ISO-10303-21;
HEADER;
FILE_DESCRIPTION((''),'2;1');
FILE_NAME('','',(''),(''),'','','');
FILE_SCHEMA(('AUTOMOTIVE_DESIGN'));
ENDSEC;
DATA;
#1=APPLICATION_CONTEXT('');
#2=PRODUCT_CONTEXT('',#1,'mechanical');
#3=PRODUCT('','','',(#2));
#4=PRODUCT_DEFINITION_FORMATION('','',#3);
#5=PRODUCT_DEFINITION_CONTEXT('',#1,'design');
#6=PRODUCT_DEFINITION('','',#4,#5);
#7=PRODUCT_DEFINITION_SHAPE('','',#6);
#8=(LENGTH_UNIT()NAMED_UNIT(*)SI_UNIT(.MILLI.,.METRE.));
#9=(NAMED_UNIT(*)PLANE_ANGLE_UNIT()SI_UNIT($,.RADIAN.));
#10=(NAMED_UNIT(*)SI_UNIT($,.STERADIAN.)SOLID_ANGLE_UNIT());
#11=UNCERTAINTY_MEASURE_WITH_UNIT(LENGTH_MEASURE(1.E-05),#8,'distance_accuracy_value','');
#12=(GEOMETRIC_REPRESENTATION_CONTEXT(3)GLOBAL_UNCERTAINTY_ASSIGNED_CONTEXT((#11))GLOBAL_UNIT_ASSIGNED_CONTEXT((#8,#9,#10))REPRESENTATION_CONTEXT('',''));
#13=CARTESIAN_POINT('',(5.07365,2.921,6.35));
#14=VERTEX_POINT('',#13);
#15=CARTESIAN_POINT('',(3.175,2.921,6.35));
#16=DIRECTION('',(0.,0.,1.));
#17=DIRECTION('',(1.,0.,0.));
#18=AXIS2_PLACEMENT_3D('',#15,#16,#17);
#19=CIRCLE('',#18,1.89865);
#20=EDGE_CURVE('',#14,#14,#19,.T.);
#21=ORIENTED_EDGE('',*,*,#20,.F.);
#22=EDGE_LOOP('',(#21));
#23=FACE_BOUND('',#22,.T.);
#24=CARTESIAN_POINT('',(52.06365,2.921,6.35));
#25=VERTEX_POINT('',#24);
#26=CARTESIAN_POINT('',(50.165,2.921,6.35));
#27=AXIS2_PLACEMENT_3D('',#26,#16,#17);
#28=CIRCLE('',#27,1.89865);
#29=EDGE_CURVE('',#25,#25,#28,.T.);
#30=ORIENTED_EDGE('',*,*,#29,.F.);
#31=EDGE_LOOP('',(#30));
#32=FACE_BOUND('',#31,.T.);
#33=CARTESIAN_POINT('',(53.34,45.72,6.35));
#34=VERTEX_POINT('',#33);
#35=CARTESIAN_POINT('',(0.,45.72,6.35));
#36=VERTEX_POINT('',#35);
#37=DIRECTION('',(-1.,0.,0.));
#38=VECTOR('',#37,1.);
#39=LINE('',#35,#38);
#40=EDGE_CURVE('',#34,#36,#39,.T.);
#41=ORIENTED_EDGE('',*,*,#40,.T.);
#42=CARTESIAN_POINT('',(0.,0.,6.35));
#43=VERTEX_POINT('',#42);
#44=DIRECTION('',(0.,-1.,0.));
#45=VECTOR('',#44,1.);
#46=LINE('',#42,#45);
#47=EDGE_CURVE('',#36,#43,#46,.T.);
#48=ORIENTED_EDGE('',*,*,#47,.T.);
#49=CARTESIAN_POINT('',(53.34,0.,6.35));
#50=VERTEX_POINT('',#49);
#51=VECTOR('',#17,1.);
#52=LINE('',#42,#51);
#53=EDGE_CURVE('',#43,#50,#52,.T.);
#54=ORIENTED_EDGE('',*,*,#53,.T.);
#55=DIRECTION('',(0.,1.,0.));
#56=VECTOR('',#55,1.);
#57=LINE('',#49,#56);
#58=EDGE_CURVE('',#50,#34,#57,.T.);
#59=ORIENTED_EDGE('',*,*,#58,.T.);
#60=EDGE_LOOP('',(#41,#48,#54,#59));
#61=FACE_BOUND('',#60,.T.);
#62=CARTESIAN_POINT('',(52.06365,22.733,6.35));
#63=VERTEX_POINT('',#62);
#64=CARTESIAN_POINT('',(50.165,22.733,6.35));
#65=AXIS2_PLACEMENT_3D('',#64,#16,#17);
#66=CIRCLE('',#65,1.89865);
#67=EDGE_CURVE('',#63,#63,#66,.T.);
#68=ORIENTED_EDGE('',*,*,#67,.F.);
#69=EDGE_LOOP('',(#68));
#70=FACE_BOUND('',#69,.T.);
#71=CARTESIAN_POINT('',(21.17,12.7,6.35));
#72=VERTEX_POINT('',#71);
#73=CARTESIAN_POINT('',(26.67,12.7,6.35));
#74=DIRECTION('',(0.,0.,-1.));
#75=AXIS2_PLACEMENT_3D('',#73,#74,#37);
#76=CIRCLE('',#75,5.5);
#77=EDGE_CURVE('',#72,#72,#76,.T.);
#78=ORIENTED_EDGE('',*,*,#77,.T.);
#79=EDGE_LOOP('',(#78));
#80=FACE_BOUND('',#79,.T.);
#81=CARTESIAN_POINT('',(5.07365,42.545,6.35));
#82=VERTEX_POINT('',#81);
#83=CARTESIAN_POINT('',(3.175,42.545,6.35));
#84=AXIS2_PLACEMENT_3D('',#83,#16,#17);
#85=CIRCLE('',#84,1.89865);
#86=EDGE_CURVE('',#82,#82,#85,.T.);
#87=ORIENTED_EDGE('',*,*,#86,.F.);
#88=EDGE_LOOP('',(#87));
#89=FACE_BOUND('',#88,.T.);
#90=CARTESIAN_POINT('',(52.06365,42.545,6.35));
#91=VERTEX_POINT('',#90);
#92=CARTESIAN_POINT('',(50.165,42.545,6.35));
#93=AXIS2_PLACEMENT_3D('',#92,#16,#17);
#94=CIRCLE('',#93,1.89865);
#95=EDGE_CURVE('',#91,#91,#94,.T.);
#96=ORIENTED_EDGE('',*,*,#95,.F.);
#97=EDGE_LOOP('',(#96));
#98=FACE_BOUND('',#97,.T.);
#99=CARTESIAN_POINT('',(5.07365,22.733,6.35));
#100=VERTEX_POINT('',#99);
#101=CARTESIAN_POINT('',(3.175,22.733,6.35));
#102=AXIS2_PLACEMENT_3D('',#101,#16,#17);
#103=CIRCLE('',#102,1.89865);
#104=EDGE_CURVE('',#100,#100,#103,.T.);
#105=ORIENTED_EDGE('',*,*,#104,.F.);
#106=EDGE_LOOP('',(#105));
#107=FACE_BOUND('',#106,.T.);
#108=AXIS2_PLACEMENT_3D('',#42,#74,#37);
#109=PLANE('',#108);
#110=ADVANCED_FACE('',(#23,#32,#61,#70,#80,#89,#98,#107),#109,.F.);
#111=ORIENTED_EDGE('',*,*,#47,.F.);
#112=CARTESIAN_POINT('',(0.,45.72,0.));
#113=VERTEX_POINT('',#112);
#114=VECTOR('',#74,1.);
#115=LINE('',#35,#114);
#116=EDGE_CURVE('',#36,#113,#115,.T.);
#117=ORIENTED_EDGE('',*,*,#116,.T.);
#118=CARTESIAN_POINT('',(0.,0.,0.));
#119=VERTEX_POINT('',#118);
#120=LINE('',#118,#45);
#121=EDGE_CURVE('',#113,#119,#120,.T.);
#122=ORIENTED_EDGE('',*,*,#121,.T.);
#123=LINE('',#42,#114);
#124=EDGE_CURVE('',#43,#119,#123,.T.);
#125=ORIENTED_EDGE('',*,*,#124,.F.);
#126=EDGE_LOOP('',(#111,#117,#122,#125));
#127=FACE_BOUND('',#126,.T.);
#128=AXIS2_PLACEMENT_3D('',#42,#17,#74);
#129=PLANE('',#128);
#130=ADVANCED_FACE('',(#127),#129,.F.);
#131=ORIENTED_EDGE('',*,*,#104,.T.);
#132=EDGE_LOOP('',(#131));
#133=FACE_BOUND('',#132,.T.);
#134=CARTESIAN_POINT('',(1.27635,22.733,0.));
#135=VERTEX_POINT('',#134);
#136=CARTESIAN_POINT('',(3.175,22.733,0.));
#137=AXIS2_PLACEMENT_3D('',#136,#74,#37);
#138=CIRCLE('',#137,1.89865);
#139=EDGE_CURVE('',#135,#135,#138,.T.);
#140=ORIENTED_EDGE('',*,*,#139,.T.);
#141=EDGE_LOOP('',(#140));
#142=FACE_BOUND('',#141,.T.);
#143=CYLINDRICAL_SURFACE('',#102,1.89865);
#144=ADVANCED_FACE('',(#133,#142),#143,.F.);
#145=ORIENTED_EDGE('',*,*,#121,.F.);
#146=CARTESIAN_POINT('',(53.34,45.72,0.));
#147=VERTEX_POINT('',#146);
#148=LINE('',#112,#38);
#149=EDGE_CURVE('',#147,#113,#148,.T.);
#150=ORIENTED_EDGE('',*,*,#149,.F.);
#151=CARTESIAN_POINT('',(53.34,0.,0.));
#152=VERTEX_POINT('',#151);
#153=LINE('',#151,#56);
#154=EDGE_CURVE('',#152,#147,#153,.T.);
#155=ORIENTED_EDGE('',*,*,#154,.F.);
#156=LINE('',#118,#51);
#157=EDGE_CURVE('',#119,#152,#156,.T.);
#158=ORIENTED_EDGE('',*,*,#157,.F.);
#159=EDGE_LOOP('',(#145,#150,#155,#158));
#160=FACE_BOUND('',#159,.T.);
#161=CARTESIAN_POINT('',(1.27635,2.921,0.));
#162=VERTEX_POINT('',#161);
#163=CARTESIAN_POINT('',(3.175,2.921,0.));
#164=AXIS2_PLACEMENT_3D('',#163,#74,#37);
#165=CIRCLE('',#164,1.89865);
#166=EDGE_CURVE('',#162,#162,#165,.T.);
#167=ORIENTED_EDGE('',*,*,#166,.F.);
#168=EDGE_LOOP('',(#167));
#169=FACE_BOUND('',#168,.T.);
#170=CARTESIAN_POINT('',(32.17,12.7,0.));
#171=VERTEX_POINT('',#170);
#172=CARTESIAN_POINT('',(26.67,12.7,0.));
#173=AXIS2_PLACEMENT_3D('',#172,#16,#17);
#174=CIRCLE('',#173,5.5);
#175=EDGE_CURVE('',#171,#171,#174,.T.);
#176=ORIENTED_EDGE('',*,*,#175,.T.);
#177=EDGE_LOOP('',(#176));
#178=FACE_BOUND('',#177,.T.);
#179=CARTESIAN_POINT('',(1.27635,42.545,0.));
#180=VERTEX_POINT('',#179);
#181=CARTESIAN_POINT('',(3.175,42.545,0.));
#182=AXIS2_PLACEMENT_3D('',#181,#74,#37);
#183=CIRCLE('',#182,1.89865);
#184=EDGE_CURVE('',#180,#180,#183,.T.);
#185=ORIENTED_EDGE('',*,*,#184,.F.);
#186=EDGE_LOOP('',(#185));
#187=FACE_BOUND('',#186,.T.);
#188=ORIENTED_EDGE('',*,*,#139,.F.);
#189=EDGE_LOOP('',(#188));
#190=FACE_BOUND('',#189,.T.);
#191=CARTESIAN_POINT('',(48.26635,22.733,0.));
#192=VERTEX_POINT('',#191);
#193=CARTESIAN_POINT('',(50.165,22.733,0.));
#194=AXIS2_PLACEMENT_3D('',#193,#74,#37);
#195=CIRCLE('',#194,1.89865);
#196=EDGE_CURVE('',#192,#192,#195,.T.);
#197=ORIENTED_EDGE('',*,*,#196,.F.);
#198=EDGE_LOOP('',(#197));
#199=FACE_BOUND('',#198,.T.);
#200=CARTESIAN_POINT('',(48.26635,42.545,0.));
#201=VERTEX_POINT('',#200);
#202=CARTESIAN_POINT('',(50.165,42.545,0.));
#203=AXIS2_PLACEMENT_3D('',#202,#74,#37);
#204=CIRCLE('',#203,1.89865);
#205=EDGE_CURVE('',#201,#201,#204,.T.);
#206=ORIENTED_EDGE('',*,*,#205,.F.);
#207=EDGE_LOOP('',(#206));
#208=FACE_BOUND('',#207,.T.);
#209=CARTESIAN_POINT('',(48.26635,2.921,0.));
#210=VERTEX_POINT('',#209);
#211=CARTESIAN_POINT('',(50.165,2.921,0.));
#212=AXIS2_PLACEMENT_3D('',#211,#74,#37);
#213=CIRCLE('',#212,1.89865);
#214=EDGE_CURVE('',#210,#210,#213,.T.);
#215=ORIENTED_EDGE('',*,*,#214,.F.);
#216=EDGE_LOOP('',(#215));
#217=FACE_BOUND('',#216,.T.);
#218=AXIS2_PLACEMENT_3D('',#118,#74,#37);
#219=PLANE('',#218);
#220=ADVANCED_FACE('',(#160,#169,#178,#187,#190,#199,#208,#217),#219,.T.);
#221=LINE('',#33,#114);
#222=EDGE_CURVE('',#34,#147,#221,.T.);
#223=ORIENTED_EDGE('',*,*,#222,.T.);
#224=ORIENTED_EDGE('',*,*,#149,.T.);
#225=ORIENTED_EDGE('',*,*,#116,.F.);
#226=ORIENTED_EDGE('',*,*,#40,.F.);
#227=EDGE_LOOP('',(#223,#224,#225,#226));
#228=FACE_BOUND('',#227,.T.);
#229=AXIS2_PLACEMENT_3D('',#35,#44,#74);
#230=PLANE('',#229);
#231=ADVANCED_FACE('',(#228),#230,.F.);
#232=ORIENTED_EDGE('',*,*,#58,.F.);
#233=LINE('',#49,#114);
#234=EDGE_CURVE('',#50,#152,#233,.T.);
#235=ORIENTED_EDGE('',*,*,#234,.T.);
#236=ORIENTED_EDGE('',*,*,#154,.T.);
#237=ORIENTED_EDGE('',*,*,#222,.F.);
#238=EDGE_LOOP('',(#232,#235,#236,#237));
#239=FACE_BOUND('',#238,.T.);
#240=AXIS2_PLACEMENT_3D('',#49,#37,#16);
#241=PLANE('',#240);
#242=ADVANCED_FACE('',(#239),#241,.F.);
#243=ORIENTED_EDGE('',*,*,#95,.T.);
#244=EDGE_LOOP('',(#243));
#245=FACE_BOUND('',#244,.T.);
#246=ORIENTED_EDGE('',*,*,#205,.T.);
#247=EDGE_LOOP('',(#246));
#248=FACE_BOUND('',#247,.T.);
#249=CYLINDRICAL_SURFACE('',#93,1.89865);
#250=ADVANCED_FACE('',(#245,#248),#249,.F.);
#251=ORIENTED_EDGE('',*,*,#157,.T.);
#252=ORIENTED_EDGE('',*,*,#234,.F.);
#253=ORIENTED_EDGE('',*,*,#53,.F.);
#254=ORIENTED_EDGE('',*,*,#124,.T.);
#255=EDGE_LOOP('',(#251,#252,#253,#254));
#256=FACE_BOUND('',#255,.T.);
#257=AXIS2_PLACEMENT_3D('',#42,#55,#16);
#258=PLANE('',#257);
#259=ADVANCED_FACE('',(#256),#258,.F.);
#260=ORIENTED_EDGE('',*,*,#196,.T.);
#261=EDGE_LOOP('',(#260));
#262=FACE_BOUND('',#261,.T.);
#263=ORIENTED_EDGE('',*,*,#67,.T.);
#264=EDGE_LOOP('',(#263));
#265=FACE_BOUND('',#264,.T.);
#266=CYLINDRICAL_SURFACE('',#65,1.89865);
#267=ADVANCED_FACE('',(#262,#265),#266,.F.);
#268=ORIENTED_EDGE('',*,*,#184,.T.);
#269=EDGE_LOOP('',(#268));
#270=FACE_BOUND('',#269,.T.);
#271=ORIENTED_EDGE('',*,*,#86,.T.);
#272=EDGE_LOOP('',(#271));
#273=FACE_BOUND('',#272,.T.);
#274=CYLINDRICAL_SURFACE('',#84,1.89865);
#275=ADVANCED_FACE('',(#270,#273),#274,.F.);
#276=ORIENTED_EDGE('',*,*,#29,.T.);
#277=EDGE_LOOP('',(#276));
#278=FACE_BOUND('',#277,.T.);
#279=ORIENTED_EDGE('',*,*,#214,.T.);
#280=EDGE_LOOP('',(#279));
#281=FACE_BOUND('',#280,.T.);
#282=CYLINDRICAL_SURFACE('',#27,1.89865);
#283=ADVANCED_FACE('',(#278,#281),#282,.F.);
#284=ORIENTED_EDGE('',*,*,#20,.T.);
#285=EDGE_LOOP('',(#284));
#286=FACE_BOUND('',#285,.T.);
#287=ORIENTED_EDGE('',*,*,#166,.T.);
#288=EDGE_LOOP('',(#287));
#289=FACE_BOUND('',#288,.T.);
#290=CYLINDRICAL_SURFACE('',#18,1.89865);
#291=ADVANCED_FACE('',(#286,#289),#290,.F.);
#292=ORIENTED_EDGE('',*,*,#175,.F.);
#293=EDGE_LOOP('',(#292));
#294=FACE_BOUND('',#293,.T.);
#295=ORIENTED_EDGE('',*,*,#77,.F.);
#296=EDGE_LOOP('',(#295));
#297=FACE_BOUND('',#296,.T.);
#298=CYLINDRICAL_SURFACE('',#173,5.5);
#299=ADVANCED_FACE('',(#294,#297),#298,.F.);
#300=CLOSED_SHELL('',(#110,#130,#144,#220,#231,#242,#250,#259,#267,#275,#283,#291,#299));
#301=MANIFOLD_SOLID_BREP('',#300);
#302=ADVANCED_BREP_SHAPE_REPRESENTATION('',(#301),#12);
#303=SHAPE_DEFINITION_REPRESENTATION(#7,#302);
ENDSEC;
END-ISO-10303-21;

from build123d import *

# Parameters (mm, degrees)
SKETCH1_W                 = 53.34
SKETCH1_H                 = 45.72
BOSS_EXTRUDE1_DEPTH       = 6.35
SKETCH2_R                 = 5.5
CUT_EXTRUDE1_DEPTH        = 1
CUT_EXTRUDE1_DEPTH_BACK   = 7.35
F_6_CLEARANCE_HOLE1_D     = 3.7973
F_6_CLEARANCE_HOLE1_DEPTH = 6.35


with BuildPart() as part:
    # Sketch1 → Boss-Extrude1 (new body)
    with BuildSketch(Plane.XY):
        with Locations((26.67, 22.86)):
            Rectangle(SKETCH1_W, SKETCH1_H)
    extrude(amount=BOSS_EXTRUDE1_DEPTH)

    # Sketch2 → Cut-Extrude1 (cut, two sides)
    with BuildSketch(Plane.XY.offset(6.35)) as cut_extrude1_sk:
        with Locations((26.67, 12.7)):
            Circle(SKETCH2_R)
    extrude(amount=CUT_EXTRUDE1_DEPTH, mode=Mode.SUBTRACT)
    extrude(cut_extrude1_sk.sketch, amount=-CUT_EXTRUDE1_DEPTH_BACK, mode=Mode.SUBTRACT)

    # #6 Clearance Hole1
    with Locations(Plane.XY.offset(6.35)):
        with Locations((3.175, 42.545), (50.165, 42.545), (50.165, 22.733), (50.165, 2.921), (3.175, 22.733), (3.175, 2.921)):
            Hole(F_6_CLEARANCE_HOLE1_D / 2, depth=F_6_CLEARANCE_HOLE1_DEPTH)


solid = part.part
